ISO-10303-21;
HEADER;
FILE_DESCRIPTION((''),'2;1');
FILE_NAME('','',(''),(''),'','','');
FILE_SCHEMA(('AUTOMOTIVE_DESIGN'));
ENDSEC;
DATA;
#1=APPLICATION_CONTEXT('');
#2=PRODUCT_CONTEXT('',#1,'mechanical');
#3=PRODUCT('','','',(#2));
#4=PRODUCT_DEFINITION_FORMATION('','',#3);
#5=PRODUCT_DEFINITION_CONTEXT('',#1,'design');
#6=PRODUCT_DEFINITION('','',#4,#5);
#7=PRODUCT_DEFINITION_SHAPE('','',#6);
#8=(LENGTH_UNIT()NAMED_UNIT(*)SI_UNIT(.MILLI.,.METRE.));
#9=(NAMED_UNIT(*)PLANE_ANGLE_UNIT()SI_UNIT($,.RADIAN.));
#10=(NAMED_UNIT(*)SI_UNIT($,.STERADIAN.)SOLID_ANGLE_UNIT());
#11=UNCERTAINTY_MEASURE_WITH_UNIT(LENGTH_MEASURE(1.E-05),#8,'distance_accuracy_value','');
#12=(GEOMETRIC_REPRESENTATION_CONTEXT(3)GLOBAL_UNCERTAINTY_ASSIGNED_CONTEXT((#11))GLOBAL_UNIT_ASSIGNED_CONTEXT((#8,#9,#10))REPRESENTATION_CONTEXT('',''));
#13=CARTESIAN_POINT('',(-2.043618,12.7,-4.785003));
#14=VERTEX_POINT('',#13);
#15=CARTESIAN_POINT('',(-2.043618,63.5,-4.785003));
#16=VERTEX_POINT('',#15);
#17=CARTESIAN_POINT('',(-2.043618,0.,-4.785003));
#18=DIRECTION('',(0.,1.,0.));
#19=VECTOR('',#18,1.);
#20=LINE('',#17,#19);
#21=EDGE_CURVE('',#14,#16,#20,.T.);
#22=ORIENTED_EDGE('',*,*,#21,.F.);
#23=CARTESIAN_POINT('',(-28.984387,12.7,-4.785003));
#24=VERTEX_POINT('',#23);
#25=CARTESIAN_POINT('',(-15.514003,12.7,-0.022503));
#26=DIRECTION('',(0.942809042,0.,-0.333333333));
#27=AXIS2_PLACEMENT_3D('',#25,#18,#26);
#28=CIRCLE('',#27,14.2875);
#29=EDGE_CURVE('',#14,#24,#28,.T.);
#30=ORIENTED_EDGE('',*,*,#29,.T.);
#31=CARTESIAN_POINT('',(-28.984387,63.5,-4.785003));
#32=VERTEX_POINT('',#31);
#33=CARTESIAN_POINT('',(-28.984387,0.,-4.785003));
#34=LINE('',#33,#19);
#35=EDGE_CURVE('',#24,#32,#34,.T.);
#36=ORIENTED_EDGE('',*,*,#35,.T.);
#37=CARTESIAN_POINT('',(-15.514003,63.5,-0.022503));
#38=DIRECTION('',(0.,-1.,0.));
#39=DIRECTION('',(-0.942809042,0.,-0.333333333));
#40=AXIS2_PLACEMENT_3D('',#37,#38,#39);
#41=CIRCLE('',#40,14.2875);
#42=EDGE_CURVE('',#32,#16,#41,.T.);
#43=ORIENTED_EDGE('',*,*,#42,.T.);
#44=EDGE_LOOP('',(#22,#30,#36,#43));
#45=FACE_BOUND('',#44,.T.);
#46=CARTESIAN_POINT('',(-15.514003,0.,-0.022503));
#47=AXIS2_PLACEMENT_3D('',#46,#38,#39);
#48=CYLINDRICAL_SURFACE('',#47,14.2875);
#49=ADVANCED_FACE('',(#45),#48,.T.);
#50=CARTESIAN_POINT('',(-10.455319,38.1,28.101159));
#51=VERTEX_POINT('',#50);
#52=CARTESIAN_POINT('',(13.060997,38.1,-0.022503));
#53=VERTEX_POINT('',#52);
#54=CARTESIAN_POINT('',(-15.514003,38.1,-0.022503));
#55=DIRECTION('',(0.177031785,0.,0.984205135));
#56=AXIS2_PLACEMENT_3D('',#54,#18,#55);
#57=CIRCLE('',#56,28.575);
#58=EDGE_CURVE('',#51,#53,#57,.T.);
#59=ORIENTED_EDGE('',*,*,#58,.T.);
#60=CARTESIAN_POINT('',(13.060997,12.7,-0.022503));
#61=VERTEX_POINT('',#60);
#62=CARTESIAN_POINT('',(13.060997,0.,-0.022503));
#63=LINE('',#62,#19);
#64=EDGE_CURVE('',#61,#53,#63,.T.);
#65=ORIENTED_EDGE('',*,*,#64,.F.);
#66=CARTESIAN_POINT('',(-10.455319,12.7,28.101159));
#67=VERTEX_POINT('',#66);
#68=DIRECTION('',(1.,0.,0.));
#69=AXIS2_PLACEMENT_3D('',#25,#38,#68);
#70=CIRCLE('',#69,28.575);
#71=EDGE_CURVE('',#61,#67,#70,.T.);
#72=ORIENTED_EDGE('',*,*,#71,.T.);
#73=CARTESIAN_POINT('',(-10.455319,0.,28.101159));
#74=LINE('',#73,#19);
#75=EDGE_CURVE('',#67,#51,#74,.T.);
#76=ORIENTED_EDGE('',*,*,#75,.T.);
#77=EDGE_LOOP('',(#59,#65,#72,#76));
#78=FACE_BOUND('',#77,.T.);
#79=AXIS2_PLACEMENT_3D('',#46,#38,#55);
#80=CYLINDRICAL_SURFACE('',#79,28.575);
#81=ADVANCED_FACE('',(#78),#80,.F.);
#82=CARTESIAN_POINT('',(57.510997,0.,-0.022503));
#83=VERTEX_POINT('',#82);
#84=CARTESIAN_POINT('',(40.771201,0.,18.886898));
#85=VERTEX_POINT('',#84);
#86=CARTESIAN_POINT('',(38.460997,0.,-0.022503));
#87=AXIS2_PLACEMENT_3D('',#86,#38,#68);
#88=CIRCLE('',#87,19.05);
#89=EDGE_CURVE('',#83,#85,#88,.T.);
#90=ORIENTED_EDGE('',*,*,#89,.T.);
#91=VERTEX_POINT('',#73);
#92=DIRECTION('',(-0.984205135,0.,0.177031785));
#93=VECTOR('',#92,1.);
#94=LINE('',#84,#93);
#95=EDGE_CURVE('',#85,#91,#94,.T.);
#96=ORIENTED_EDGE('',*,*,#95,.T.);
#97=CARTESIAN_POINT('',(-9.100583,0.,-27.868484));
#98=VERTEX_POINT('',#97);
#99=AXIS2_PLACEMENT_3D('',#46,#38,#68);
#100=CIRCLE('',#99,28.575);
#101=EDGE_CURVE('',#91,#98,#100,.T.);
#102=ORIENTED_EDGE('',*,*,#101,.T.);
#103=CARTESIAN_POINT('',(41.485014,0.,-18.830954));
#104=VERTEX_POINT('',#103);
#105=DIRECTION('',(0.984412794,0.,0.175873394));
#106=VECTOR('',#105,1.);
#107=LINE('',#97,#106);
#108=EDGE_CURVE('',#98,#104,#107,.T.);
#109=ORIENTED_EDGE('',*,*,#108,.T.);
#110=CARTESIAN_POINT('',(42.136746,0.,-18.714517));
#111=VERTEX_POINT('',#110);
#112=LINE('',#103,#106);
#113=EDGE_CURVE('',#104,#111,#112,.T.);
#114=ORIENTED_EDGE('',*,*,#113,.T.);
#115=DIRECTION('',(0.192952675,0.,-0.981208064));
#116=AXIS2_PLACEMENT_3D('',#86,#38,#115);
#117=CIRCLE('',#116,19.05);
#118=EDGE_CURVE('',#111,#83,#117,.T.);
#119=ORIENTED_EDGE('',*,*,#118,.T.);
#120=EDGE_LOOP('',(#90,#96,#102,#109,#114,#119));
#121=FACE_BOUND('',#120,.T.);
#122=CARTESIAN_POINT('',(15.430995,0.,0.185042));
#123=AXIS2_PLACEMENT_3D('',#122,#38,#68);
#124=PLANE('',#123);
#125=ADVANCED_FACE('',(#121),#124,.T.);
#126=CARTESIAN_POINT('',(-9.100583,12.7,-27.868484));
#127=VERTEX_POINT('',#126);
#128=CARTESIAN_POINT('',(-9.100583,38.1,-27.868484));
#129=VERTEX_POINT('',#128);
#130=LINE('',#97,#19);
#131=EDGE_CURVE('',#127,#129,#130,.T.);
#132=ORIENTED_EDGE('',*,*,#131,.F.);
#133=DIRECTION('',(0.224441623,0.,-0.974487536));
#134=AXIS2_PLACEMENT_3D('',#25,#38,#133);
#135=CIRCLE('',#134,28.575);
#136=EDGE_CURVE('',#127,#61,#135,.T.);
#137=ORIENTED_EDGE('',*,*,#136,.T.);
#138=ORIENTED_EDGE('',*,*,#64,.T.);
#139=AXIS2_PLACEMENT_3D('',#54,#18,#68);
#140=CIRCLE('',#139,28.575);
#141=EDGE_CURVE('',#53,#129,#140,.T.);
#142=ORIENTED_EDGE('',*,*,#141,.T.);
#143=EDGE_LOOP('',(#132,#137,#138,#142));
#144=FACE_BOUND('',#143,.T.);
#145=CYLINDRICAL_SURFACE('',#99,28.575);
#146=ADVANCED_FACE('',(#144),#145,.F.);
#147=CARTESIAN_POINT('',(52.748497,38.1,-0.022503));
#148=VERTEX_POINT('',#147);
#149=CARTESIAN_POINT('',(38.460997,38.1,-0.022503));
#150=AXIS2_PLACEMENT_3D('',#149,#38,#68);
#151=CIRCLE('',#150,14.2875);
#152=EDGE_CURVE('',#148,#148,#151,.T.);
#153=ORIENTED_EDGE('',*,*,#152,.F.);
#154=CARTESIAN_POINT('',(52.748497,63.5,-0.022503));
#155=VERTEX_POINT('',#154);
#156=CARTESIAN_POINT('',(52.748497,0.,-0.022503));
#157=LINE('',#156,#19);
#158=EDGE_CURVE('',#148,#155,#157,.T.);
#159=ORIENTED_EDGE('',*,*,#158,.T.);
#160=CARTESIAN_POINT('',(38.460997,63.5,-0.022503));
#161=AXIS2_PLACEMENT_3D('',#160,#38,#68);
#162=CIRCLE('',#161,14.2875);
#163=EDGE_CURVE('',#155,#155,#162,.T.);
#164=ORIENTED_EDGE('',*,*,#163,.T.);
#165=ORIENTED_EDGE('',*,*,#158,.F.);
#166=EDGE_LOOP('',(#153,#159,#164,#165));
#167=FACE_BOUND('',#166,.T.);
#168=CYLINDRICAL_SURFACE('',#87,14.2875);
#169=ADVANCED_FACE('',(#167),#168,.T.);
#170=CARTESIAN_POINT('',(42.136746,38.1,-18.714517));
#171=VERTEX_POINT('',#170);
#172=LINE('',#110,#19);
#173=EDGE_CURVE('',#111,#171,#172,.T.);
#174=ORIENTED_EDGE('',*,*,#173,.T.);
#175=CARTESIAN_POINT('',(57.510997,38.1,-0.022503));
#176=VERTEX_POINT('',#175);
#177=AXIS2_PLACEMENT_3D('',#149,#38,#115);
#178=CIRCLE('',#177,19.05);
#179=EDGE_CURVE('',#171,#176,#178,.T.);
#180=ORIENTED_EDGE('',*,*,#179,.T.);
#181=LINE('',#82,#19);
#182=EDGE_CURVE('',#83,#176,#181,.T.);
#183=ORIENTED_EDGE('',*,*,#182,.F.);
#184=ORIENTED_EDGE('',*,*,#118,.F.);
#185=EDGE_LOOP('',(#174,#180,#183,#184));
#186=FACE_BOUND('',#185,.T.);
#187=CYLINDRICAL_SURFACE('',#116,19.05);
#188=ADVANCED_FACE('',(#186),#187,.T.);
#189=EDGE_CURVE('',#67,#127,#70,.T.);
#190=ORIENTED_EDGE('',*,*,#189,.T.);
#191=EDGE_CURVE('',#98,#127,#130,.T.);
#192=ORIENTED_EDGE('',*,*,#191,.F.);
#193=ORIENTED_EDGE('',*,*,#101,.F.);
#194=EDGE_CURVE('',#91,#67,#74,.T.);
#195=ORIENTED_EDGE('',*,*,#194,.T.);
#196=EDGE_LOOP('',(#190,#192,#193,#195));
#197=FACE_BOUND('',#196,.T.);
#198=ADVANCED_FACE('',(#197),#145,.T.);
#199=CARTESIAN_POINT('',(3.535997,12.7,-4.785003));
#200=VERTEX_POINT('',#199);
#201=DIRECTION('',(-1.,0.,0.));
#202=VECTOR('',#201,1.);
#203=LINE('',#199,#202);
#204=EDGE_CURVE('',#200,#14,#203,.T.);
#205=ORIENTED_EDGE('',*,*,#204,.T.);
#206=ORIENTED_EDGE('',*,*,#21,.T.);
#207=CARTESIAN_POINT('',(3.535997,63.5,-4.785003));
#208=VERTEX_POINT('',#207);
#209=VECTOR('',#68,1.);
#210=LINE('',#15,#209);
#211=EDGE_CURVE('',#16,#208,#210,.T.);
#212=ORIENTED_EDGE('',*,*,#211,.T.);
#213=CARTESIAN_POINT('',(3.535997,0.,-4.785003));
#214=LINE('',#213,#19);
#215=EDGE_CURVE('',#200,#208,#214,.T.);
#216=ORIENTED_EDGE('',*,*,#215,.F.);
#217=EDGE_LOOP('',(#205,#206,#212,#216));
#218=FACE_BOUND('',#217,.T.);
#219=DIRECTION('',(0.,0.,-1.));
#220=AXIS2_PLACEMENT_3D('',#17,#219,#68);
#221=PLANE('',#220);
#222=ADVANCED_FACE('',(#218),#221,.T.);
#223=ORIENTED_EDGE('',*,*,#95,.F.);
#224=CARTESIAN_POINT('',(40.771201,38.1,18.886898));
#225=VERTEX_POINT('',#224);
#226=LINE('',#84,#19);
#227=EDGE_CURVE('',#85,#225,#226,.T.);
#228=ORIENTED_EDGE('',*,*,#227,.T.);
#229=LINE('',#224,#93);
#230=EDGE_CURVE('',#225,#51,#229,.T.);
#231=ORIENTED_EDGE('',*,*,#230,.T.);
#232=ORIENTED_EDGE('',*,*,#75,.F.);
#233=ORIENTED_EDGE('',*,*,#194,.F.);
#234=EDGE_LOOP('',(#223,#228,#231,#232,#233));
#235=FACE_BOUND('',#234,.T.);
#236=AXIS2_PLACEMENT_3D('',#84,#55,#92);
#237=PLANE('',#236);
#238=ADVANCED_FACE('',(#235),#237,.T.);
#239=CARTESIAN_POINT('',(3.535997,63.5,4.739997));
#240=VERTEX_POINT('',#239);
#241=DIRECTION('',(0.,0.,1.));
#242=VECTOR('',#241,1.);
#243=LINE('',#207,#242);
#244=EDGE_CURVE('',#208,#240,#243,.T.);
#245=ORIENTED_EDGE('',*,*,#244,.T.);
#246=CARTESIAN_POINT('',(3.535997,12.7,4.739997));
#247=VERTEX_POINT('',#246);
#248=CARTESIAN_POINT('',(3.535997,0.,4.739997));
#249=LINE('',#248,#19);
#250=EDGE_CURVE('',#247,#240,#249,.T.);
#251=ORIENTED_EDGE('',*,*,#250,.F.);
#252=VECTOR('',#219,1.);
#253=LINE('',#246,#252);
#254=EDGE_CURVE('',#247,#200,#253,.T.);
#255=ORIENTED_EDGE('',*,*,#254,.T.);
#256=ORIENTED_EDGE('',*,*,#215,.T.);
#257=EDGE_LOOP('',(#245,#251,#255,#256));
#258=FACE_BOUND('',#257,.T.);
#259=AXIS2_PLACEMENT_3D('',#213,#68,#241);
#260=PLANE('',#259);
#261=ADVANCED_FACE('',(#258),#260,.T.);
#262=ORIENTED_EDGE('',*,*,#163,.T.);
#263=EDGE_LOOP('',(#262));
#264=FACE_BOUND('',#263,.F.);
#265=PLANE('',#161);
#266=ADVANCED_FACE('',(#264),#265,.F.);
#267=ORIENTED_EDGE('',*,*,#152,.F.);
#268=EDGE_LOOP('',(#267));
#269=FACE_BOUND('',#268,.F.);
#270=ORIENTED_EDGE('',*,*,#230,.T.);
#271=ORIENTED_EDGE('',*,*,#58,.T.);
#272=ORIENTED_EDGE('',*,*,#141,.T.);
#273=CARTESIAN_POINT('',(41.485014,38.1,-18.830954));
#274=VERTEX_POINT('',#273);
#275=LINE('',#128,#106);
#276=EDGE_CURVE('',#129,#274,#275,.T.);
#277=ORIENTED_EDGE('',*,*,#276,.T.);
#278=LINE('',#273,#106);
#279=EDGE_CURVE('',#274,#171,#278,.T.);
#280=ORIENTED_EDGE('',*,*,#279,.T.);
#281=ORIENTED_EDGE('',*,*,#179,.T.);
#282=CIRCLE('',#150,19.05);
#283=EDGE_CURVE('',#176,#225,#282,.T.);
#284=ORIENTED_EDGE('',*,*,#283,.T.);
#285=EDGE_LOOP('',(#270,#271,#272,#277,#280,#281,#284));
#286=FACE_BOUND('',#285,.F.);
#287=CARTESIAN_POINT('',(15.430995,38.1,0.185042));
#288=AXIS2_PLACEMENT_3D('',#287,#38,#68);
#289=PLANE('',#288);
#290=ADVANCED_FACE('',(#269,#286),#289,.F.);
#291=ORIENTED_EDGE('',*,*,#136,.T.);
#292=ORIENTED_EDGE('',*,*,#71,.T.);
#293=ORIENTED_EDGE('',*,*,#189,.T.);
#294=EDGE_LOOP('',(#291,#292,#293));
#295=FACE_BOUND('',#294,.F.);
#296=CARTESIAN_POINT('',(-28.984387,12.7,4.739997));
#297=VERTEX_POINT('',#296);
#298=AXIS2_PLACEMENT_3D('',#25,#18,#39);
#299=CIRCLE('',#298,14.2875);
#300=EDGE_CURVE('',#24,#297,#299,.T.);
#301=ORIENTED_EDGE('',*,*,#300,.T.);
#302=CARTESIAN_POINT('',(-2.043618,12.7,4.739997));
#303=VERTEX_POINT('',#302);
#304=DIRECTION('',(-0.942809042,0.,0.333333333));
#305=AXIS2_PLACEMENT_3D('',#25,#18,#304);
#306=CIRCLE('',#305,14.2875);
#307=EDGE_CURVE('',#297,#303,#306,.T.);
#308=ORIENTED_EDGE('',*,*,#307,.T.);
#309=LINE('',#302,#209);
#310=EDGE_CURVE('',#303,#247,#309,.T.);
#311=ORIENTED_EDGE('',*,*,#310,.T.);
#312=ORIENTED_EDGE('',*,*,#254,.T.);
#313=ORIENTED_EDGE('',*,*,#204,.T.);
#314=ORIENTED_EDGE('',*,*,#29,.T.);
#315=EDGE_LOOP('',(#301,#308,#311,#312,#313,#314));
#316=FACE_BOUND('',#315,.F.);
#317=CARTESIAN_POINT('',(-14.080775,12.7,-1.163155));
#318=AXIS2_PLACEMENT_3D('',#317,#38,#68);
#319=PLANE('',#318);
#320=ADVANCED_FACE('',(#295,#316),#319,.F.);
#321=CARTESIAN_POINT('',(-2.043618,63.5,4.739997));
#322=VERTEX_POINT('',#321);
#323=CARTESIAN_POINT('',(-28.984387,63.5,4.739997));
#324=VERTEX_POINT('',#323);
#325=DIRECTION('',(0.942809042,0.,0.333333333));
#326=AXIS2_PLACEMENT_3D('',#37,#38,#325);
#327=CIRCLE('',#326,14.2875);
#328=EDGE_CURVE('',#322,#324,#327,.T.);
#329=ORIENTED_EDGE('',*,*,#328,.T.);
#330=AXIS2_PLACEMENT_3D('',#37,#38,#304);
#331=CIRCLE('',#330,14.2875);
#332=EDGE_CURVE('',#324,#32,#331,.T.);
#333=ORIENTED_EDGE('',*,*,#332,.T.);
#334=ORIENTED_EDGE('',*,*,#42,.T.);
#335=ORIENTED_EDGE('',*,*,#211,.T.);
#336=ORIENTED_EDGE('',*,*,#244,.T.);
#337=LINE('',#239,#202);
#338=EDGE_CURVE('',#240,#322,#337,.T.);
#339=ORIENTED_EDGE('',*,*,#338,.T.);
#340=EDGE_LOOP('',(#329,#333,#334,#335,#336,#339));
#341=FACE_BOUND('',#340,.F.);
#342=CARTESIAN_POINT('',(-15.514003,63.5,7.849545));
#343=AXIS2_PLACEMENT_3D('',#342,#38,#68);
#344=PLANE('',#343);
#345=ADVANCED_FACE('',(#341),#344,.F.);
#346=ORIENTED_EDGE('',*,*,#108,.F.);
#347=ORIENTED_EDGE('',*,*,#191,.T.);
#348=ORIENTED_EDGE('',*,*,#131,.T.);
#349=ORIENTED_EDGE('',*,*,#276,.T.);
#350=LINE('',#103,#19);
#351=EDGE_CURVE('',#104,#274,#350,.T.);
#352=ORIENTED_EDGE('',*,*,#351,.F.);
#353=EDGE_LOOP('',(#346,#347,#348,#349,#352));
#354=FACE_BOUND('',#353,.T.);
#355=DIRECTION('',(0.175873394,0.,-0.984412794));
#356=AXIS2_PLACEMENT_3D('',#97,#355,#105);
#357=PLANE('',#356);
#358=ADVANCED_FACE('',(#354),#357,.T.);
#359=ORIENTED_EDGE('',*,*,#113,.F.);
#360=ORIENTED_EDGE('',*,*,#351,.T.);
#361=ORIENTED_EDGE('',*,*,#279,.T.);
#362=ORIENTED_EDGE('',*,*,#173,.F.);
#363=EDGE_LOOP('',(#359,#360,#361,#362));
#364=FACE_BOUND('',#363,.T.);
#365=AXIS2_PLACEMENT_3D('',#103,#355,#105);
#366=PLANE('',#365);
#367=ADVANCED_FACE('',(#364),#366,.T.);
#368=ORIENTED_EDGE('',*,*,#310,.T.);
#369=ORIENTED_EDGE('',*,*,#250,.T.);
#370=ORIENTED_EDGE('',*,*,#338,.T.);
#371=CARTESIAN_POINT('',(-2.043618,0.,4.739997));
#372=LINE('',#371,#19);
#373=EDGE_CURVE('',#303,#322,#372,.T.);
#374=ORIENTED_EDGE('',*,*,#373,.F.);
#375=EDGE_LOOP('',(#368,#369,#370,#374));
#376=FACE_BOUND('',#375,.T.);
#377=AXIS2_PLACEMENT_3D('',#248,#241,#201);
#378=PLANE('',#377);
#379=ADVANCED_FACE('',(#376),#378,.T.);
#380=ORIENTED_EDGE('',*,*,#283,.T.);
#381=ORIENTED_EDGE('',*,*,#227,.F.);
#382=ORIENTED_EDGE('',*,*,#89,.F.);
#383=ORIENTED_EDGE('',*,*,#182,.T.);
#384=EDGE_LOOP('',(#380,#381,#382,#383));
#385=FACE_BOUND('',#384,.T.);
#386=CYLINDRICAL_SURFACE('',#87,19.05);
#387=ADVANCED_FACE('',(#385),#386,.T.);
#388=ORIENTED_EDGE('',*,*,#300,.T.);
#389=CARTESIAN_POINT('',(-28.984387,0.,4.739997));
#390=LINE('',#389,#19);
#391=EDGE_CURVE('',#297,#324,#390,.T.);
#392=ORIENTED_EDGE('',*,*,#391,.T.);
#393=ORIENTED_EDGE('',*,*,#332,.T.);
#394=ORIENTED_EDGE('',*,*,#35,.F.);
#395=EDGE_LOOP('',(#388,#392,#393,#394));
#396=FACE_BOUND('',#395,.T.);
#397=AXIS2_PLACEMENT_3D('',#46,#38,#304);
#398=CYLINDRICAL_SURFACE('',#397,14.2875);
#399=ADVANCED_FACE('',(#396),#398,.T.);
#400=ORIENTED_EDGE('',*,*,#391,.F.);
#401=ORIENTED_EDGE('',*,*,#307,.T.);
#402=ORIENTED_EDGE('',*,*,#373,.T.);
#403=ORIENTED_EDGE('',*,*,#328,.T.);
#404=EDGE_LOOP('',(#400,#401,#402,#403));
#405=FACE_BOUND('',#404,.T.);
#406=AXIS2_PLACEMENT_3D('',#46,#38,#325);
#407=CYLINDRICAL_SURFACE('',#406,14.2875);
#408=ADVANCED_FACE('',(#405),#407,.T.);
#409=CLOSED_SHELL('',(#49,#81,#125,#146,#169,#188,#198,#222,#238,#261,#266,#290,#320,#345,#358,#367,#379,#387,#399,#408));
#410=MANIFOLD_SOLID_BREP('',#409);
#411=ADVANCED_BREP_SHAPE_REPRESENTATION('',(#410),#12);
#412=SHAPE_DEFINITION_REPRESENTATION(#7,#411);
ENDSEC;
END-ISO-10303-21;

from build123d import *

# Parameters (mm, degrees)
F1_DEPTH = 63.5
F2_DEPTH = 12.7
F0_R     = 14.2875
F3_DEPTH = 38.1
F4_DEPTH = 63.5


with BuildPart() as f1:
    # F0 (on Front) → F1 (new body)
    with BuildSketch(Plane.XZ):
        with BuildLine():
            Line((-28.9843866844, 4.7399969062), (-2.0436183212, 4.7399969062))
            ThreePointArc((-2.0436183212, 4.7399969062), (-15.5140025028, 14.2649969062), (-28.9843866844, 4.7399969062))
        make_face()
        with BuildLine():
            ThreePointArc((-2.0436183212, -4.7850030938), (-1.4322630818, -2.4385476149), (-1.2265025028, -0.0225030938))
            ThreePointArc((-1.2265025028, -0.0225030938), (-1.4322630818, 2.3935414272), (-2.0436183212, 4.7399969062))
            Line((-2.0436183212, 4.7399969062), (-28.9843866844, 4.7399969062))
            ThreePointArc((-28.9843866844, 4.7399969062), (-29.8015025028, -0.0225030938), (-28.9843866844, -4.7850030938))
            Line((-28.9843866844, -4.7850030938), (-2.0436183212, -4.7850030938))
        make_face()
        with BuildLine():
            ThreePointArc((-28.9843866844, -4.7850030938), (-15.5140025028, -14.3100030938), (-2.0436183212, -4.7850030938))
            Line((-2.0436183212, -4.7850030938), (-28.9843866844, -4.7850030938))
        make_face()
        with BuildLine():
            ThreePointArc((-2.0436183212, 4.7399969062), (-1.4322630818, 2.3935414272), (-1.2265025028, -0.0225030938))
            ThreePointArc((-1.2265025028, -0.0225030938), (-1.4322630818, -2.4385476149), (-2.0436183212, -4.7850030938))
            Line((-2.0436183212, -4.7850030938), (3.5359974972, -4.7850030938))
            Line((3.5359974972, -4.7850030938), (3.5359974972, 4.7399969062))
            Line((3.5359974972, 4.7399969062), (-2.0436183212, 4.7399969062))
        make_face()
    extrude(amount=-F1_DEPTH)

    # F0 (on Front) → F2 (join)
    with BuildSketch(Plane.XZ):
        with BuildLine():
            ThreePointArc((-9.1005831185, -27.8684844341), (6.8443749417, -17.8167039201), (13.0609974972, -0.0225030938))
            ThreePointArc((13.0609974972, -0.0225030938), (6.4072485943, 18.3075098722), (-10.4553192367, 28.1011586274))
            ThreePointArc((-10.4553192367, 28.1011586274), (-44.0806355021, -0.713953805), (-9.1005831185, -27.8684844341))
        make_face()
        with BuildLine():
            ThreePointArc((-28.9843866844, 4.7399969062), (-15.5140025028, 14.2649969062), (-2.0436183212, 4.7399969062))
            Line((-2.0436183212, 4.7399969062), (3.5359974972, 4.7399969062))
            Line((3.5359974972, 4.7399969062), (3.5359974972, -4.7850030938))
            Line((3.5359974972, -4.7850030938), (-2.0436183212, -4.7850030938))
            ThreePointArc((-2.0436183212, -4.7850030938), (-15.5140025028, -14.3100030938), (-28.9843866844, -4.7850030938))
            Line((-28.9843866844, -4.7850030938), (-34.5640025028, -4.7850030938))
            Line((-34.5640025028, -4.7850030938), (-34.5640025028, 4.7399969062))
            Line((-34.5640025028, 4.7399969062), (-28.9843866844, 4.7399969062))
        make_face(mode=Mode.SUBTRACT)
        with BuildLine():
            ThreePointArc((-28.9843866844, -4.7850030938), (-29.8015025028, -0.0225030938), (-28.9843866844, 4.7399969062))
            Line((-28.9843866844, 4.7399969062), (-34.5640025028, 4.7399969062))
            Line((-34.5640025028, 4.7399969062), (-34.5640025028, -4.7850030938))
            Line((-34.5640025028, -4.7850030938), (-28.9843866844, -4.7850030938))
        make_face()
    extrude(amount=-F2_DEPTH)

    # F0 (on Front) → F3 (join)
    with BuildSketch(Plane.XZ):
        with BuildLine():
            ThreePointArc((-10.4553192367, 28.1011586274), (6.4072485943, 18.3075098722), (13.0609974972, -0.0225030938))
            ThreePointArc((13.0609974972, -0.0225030938), (6.8443749417, -17.8167039201), (-9.1005831185, -27.8684844341))
            Line((-9.1005831185, -27.8684844341), (41.4850136025, -18.8309540294))
            ThreePointArc((41.4850136025, -18.8309540294), (19.4144080306, -0.3829607102), (40.7712014453, 18.8868982113))
            Line((40.7712014453, 18.8868982113), (-10.4553192367, 28.1011586274))
        make_face()
        with BuildLine():
            ThreePointArc((57.5109974972, -0.0225030938), (52.7247958204, 12.6047118562), (40.7712014453, 18.8868982113))
            ThreePointArc((40.7712014453, 18.8868982113), (19.4144080306, -0.3829607102), (41.4850136025, -18.8309540294))
            Line((41.4850136025, -18.8309540294), (42.136745961, -18.7145167154))
            ThreePointArc((42.136745961, -18.7145167154), (53.1736707457, -12.1237322001), (57.5109974972, -0.0225030938))
        make_face()
        with Locations((38.4609974972, -0.0225030938)):
            Circle(F0_R, mode=Mode.SUBTRACT)
    extrude(amount=-F3_DEPTH)

    # F0 (on Front) → F4 (join)
    with BuildSketch(Plane.XZ):
        with Locations((38.4609974972, -0.0225030938)):
            Circle(F0_R)
    extrude(amount=-F4_DEPTH)


solid = f1.part
